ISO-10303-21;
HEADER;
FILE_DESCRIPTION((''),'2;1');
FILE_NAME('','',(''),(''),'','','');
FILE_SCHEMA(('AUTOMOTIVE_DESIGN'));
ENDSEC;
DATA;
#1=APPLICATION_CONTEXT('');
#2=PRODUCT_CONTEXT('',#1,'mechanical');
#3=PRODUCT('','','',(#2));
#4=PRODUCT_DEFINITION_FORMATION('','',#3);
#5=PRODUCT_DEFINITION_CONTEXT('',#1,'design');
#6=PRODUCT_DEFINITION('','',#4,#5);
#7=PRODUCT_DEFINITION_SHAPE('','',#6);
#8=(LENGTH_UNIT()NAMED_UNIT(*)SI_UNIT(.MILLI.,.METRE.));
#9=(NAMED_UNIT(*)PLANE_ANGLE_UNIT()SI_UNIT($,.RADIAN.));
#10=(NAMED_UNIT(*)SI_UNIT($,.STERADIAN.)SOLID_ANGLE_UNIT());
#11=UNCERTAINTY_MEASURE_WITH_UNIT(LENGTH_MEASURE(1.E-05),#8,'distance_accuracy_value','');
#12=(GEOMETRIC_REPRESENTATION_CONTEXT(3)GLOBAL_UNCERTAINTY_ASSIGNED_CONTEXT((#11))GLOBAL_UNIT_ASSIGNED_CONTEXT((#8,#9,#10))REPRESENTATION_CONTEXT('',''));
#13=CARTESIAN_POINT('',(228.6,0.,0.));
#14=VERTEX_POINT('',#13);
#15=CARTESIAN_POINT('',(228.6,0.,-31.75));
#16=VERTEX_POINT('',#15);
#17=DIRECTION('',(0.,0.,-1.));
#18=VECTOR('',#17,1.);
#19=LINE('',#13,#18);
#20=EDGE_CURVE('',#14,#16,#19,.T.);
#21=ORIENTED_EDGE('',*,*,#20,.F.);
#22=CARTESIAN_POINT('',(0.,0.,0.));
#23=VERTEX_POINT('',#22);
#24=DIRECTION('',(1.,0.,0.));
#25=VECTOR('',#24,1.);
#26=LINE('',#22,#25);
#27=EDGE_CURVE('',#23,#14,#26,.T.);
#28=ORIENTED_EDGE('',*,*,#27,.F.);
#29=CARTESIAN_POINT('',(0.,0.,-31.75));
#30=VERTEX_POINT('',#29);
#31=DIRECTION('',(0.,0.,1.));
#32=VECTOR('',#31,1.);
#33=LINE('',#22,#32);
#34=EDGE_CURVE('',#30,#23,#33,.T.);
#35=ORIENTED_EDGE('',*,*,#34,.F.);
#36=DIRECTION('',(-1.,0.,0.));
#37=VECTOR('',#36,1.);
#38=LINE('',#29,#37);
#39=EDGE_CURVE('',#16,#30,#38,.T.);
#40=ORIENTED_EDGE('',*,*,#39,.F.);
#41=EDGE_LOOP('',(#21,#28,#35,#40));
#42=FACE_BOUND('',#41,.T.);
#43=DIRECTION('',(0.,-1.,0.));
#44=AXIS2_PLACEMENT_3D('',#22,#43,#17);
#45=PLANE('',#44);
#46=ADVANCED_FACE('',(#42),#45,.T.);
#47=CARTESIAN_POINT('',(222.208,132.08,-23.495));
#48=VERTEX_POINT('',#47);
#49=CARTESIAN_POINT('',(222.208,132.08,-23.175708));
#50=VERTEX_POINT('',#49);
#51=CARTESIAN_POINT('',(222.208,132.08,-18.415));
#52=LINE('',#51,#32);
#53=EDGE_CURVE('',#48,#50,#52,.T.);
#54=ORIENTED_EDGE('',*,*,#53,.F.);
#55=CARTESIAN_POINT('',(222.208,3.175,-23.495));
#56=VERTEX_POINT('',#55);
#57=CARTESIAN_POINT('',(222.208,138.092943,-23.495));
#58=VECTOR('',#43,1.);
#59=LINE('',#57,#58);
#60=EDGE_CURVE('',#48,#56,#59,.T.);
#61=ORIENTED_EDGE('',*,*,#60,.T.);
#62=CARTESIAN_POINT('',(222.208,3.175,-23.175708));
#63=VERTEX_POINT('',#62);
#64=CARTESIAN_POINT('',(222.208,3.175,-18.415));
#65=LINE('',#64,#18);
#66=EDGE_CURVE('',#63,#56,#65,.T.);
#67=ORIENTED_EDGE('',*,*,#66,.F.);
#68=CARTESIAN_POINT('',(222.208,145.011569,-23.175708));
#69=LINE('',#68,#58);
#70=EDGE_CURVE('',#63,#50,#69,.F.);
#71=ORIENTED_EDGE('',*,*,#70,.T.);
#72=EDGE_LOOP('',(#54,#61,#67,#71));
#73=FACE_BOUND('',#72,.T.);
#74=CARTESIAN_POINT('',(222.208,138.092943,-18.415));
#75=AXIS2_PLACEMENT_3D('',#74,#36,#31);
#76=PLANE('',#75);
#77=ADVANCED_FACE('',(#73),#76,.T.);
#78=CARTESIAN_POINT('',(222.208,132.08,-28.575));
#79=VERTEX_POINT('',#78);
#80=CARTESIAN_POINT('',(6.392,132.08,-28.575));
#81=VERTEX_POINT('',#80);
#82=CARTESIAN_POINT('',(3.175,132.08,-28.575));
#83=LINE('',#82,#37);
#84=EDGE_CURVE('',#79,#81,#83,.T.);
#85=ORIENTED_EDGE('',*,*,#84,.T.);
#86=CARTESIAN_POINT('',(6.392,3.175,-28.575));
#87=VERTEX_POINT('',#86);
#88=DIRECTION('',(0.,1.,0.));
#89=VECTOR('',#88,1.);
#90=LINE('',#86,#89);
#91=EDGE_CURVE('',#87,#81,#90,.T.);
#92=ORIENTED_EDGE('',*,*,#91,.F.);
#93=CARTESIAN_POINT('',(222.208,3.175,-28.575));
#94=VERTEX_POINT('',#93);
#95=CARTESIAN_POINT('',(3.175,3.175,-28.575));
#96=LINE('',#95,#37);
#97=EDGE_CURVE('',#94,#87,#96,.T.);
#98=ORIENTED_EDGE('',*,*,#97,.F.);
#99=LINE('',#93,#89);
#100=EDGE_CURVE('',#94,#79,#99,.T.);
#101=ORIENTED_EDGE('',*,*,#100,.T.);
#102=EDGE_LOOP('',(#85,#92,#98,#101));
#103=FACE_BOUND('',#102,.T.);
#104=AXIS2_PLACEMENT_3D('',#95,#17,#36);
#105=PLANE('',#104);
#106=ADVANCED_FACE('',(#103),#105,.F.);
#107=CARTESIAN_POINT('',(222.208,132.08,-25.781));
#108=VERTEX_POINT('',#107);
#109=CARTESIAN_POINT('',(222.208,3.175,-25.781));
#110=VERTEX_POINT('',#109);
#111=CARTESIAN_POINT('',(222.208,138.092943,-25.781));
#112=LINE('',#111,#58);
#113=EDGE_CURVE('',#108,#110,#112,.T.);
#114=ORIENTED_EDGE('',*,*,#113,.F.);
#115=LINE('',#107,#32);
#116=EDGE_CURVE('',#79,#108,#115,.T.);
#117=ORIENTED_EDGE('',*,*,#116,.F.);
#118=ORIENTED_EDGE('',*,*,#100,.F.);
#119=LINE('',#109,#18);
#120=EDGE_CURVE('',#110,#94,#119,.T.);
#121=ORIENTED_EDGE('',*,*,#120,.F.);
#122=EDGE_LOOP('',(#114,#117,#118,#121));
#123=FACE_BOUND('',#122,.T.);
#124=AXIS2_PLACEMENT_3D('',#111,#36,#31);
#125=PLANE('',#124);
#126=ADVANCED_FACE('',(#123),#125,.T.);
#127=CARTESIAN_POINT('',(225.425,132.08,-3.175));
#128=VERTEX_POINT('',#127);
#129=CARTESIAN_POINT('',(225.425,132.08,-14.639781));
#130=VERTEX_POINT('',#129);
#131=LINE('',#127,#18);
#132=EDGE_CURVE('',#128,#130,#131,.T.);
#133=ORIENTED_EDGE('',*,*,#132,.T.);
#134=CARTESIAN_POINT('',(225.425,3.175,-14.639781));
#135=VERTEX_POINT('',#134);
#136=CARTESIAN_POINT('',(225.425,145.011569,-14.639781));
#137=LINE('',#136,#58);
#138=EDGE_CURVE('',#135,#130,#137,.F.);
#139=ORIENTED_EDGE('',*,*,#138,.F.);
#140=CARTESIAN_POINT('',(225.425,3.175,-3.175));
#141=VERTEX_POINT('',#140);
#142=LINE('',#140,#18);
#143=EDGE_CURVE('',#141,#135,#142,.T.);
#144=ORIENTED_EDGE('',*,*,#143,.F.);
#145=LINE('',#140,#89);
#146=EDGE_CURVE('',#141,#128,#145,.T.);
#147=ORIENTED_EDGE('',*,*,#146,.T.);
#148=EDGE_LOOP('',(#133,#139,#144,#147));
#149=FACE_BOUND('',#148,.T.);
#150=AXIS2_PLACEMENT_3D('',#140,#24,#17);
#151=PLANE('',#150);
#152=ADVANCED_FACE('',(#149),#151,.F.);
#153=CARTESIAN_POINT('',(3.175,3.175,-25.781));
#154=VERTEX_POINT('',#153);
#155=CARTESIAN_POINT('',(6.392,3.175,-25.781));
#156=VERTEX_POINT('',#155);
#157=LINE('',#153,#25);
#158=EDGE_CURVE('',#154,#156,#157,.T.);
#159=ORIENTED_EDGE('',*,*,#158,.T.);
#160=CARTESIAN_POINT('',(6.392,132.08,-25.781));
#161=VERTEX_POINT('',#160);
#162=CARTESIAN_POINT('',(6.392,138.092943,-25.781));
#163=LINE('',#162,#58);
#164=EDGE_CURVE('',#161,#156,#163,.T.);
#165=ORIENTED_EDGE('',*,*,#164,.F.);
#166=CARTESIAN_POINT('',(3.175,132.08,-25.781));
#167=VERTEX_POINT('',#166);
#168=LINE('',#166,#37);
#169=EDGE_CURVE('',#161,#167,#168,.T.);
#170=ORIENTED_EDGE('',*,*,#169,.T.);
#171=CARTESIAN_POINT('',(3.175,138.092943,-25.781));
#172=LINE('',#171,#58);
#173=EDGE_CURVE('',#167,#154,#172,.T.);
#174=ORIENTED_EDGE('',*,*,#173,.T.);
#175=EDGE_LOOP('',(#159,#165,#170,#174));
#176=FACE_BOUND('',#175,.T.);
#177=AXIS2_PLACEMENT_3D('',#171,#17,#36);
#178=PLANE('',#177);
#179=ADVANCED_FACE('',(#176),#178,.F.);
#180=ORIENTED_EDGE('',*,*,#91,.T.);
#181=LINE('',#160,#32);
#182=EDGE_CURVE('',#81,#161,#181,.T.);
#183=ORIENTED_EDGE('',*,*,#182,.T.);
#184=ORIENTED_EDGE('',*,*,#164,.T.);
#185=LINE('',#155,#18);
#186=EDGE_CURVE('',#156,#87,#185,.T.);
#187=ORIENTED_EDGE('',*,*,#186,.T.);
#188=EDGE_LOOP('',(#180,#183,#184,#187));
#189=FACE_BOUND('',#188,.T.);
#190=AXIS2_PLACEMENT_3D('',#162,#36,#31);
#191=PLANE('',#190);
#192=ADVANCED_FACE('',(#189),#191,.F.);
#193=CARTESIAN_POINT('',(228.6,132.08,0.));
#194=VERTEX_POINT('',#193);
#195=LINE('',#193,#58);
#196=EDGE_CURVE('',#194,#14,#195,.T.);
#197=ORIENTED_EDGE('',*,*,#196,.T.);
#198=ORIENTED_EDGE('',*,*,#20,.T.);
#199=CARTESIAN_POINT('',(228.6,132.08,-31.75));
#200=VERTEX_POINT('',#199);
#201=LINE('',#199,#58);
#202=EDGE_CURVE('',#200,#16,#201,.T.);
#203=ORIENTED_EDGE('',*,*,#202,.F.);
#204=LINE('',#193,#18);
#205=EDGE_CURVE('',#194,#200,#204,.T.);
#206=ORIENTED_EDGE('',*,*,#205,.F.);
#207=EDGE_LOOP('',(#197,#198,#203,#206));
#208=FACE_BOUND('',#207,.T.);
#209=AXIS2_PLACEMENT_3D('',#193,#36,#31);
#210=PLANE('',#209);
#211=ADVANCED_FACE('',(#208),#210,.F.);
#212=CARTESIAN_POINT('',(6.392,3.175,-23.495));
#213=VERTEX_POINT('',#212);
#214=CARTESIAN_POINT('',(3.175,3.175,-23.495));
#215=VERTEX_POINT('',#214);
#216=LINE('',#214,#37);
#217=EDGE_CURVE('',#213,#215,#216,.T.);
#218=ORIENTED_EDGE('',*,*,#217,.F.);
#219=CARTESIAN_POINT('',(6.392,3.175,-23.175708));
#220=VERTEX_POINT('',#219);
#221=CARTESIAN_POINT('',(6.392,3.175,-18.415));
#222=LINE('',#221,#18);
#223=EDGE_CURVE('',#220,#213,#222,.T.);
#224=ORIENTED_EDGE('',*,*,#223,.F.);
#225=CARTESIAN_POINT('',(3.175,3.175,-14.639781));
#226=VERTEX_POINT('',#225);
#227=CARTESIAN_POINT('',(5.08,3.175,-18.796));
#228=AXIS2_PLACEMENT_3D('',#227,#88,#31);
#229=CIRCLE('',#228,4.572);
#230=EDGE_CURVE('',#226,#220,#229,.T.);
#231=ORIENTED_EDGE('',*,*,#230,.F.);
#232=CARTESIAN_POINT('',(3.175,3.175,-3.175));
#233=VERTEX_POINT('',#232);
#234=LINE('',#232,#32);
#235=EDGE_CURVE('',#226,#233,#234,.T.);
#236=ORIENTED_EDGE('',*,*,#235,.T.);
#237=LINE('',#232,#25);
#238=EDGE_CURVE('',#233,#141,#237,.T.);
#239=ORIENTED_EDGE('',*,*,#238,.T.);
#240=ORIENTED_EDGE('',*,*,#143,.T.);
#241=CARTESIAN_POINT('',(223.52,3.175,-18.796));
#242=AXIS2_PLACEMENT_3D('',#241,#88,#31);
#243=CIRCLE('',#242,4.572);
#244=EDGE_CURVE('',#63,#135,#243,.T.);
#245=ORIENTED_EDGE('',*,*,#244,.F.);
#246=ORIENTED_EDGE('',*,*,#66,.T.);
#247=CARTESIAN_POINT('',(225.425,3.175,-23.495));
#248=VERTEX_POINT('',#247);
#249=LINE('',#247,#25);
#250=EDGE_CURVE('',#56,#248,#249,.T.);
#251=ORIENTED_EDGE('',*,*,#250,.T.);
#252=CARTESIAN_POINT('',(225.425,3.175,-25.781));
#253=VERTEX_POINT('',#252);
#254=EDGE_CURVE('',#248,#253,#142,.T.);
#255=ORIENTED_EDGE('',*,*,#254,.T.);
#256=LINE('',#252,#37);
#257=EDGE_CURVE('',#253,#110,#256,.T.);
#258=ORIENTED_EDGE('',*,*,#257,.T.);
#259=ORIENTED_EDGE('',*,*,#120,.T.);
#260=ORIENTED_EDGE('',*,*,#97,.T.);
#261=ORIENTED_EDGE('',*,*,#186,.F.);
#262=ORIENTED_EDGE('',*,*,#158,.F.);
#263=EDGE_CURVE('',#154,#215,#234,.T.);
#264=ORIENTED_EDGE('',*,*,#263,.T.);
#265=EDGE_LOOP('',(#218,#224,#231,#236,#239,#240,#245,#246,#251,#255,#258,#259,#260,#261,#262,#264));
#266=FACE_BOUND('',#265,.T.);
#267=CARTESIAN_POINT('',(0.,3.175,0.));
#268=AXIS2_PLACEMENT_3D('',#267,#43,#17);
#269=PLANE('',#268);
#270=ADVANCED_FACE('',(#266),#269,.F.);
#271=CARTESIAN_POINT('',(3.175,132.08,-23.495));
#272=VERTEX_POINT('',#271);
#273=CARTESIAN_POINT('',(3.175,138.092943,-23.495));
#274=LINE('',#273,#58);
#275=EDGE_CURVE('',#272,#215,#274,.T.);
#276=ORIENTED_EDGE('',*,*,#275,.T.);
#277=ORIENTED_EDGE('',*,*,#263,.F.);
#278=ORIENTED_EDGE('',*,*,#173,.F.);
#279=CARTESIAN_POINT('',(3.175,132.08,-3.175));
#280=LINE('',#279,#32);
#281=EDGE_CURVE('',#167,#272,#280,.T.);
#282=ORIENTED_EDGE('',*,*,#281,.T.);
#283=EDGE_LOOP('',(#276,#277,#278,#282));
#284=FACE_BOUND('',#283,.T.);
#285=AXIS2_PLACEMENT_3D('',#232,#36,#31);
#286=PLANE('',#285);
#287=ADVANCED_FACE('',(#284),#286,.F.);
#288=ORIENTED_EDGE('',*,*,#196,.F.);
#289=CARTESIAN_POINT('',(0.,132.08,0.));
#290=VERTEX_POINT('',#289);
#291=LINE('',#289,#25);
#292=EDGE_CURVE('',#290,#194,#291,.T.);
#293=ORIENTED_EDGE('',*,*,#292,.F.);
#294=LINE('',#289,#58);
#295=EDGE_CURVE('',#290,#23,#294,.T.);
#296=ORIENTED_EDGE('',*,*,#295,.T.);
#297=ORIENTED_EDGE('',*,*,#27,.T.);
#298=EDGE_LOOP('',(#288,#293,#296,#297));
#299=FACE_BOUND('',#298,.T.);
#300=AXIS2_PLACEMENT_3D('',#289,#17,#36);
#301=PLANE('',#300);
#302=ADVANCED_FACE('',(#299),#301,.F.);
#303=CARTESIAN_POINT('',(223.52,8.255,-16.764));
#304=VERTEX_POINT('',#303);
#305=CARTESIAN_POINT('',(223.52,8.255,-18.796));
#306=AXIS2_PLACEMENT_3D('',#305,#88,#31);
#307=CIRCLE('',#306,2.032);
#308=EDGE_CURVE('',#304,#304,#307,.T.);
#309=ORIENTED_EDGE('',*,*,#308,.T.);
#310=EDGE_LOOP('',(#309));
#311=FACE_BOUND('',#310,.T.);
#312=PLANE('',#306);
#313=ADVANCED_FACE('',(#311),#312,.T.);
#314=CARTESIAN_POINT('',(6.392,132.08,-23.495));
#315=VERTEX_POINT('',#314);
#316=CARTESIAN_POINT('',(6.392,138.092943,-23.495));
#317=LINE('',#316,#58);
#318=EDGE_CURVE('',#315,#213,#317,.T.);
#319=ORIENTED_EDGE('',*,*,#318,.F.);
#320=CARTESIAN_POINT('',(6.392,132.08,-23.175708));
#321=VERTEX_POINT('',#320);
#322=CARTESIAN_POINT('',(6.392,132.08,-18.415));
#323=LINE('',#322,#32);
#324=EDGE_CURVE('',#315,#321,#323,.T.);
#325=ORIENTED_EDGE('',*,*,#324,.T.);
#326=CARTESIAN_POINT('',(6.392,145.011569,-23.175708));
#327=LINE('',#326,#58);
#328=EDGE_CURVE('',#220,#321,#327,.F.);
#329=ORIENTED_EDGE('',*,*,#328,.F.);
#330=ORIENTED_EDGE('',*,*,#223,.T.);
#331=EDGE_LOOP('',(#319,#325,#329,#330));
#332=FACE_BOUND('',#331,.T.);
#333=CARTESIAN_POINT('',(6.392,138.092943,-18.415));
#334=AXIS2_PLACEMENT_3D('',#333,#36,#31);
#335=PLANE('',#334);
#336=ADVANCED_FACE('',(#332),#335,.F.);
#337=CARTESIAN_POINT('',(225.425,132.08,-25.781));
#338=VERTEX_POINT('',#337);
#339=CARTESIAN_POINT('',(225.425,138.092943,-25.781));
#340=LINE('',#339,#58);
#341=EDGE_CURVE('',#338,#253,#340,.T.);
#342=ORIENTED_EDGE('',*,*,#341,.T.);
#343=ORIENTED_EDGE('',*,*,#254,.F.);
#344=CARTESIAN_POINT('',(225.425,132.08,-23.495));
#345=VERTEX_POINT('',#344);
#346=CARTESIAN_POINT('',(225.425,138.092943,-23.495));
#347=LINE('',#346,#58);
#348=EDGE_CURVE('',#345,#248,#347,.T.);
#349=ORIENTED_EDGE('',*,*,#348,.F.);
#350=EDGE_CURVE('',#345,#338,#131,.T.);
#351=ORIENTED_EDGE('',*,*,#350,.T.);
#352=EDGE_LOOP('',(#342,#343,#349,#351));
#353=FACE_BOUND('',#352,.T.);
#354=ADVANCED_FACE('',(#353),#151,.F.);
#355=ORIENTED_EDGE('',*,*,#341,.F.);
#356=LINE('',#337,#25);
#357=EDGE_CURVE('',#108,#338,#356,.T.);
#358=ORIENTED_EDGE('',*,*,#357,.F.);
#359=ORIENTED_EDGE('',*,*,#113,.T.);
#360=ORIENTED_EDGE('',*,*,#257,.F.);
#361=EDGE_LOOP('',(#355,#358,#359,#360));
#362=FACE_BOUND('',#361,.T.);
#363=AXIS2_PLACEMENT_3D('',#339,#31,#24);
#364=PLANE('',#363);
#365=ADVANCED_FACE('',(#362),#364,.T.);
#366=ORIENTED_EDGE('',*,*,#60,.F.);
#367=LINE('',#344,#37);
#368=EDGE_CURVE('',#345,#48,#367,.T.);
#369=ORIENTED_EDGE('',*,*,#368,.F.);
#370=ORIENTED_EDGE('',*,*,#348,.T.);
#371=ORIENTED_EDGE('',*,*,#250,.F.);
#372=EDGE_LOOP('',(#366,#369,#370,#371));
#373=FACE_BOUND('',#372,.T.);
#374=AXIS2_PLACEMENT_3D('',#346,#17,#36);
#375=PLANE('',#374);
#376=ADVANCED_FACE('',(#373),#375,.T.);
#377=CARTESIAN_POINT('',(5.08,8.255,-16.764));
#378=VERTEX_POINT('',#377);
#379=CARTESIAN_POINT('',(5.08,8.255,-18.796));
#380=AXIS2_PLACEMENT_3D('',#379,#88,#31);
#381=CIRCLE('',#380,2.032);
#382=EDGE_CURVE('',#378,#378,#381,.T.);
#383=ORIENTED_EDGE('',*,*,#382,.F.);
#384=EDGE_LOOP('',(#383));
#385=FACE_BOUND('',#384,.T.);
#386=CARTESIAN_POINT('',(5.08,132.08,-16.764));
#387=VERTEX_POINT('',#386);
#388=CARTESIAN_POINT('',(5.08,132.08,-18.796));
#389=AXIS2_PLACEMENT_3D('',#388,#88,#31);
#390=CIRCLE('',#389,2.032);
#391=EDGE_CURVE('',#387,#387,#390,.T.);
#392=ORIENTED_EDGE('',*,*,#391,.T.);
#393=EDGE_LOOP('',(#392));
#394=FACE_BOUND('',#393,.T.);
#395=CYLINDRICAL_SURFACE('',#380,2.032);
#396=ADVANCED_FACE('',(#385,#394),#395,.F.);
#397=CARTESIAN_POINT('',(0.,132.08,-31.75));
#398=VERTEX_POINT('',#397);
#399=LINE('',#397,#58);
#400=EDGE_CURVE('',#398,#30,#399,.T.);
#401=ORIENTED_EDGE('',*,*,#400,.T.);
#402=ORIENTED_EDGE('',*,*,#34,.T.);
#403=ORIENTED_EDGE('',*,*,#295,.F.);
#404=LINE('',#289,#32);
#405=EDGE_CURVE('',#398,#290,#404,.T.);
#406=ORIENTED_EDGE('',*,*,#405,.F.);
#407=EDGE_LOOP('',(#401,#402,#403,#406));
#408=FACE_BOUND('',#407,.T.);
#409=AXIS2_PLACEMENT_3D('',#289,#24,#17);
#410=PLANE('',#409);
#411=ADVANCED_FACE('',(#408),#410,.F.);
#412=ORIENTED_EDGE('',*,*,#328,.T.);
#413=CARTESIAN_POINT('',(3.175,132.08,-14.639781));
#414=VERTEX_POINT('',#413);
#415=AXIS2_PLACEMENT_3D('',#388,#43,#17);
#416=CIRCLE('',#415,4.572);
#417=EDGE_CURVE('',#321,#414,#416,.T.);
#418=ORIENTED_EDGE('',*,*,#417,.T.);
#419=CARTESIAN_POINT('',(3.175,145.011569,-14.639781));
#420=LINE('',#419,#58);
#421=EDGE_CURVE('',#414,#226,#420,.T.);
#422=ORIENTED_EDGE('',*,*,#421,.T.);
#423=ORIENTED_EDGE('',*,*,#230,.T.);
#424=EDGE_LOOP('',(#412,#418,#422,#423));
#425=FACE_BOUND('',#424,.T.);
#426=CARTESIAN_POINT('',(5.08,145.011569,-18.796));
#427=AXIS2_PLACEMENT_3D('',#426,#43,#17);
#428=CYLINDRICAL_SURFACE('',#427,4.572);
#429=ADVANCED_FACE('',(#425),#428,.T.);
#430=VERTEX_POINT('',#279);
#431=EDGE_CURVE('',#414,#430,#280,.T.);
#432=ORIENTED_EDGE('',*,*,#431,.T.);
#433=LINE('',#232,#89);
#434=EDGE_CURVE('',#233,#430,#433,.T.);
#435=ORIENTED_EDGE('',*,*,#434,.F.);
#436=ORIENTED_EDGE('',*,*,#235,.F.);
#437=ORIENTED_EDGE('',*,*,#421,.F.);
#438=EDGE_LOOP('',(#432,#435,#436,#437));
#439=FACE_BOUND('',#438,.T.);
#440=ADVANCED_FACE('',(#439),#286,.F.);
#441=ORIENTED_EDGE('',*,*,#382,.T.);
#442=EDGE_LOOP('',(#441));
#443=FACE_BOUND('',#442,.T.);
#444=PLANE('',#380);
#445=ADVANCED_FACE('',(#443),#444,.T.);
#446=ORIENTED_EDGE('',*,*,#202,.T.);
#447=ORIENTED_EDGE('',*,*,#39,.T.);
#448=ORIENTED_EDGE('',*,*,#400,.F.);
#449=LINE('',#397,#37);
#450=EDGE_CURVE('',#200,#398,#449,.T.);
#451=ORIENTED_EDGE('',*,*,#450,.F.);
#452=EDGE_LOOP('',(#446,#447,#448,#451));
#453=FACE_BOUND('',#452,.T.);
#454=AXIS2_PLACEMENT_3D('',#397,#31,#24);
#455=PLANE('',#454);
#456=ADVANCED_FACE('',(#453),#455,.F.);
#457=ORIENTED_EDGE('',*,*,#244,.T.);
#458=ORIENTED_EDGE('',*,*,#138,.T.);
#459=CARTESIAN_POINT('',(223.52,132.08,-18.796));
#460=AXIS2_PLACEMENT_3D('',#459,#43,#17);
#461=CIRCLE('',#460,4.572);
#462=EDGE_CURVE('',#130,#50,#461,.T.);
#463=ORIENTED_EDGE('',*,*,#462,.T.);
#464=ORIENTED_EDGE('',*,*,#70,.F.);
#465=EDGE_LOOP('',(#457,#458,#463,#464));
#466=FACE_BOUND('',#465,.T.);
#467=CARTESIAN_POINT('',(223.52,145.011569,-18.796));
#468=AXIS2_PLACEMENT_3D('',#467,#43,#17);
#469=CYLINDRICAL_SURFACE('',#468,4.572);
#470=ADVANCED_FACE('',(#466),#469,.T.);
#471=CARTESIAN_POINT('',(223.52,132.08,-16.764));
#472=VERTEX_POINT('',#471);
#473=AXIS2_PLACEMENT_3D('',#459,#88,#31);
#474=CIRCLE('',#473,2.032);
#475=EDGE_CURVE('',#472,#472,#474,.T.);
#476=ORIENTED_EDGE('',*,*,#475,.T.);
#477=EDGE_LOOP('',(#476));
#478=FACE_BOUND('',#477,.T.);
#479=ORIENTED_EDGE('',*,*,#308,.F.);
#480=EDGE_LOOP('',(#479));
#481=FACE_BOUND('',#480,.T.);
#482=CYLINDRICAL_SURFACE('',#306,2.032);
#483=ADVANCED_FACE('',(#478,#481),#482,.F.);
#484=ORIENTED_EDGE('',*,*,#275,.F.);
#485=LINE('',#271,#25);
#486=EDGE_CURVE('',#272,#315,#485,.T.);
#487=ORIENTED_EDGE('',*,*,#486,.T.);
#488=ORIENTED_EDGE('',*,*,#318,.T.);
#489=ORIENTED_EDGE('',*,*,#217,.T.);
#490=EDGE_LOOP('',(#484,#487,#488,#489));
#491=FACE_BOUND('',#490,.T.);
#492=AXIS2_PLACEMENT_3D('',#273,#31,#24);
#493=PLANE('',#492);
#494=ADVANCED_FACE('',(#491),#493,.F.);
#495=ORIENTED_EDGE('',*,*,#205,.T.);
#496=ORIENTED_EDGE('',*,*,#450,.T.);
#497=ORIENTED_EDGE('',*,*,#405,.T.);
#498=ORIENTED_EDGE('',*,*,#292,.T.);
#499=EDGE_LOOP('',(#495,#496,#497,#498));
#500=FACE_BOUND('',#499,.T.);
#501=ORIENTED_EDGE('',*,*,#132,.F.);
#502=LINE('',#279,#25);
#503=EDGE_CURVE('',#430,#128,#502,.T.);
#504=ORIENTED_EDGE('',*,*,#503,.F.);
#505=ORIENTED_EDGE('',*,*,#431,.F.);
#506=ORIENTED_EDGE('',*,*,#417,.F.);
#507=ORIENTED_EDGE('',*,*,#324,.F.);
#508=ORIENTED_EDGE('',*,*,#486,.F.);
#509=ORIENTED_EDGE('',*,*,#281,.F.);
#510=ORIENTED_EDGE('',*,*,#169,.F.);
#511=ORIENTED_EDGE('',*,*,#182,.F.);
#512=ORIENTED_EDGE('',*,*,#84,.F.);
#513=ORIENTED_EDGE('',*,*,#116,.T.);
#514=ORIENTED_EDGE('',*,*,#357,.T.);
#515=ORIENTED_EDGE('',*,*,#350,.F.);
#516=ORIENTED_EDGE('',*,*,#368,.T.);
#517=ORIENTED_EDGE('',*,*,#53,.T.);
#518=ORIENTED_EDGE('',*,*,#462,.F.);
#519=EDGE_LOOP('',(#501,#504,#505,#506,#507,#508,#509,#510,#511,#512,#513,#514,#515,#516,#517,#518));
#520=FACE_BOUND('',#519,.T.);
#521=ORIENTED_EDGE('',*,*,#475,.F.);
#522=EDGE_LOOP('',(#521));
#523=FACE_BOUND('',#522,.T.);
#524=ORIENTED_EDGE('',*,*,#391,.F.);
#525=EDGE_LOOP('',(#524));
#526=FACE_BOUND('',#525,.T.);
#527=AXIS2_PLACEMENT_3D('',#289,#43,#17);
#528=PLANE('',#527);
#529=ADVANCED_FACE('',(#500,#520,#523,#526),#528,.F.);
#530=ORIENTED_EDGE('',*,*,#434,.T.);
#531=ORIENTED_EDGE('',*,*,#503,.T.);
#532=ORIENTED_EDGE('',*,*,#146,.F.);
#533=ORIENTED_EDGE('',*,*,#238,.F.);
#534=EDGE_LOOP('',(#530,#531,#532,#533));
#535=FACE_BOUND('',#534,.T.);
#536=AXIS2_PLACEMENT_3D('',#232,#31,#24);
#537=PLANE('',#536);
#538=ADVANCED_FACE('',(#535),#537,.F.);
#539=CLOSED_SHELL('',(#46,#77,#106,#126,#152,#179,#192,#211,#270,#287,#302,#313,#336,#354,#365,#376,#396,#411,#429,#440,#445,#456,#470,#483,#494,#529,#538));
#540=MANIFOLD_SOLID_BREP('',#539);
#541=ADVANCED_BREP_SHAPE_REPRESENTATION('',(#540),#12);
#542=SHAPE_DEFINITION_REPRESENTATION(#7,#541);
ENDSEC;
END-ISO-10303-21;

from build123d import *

# Parameters (mm, degrees)
SKETCH1_W           = 228.6
SKETCH1_H           = 31.75
BOSS_EXTRUDE1_DEPTH = 132.08
SKETCH2_W           = 222.25
SKETCH2_H           = 25.4
CUT_EXTRUDE1_DEPTH  = 128.905
SKETCH3_W           = 3.216999687
SKETCH3_H           = 4.15103562
SKETCH3_H_2         = 5.08
BOSS_EXTRUDE2_DEPTH = 128.905
SKETCH4_R           = 4.572
BOSS_EXTRUDE3_DEPTH = 128.905
SKETCH5_R           = 2.032
CUT_EXTRUDE2_DEPTH  = 123.825


with BuildPart() as part:
    # Sketch1 → Boss-Extrude1 (new body)
    with BuildSketch(Plane(origin=(0, 0, 0), x_dir=(1, 0, 0), z_dir=(0, 1, 0))):
        with Locations((114.3, 15.875)):
            Rectangle(SKETCH1_W, SKETCH1_H)
    extrude(amount=BOSS_EXTRUDE1_DEPTH)

    # Sketch2 → Cut-Extrude1 (cut)
    with BuildSketch(Plane(origin=(0, 132.08, 0), x_dir=(1, 0, 0), z_dir=(0, 1, 0))):
        with Locations((114.3, 15.875)):
            Rectangle(SKETCH2_W, SKETCH2_H)
    extrude(amount=-CUT_EXTRUDE1_DEPTH, mode=Mode.SUBTRACT)

    # Sketch3 → Boss-Extrude2 (add)
    with BuildSketch(Plane(origin=(0, 3.175, 0), x_dir=(1, 0, 0), z_dir=(0, 1, 0))):
        with Locations((4.783499844, 27.85651781)):
            Rectangle(SKETCH3_W, SKETCH3_H)
        with Locations((4.783499844, 20.955)):
            Rectangle(SKETCH3_W, SKETCH3_H_2)
    boss_extrude2 = extrude(amount=BOSS_EXTRUDE2_DEPTH)

    # Mirror1: Boss-Extrude2 across plane
    add(boss_extrude2.mirror(Plane.ZY.offset(-114.3)))

    # Sketch4 → Boss-Extrude3 (add)
    with BuildSketch(Plane(origin=(0, 3.175, 0), x_dir=(1, 0, 0), z_dir=(0, 1, 0))):
        with Locations((5.08, 18.796)):
            Circle(SKETCH4_R)
        with Locations((223.52, 18.796)):
            Circle(SKETCH4_R)
    extrude(amount=BOSS_EXTRUDE3_DEPTH)

    # Sketch5 → Cut-Extrude2 (cut)
    with BuildSketch(Plane(origin=(0, 132.08, 0), x_dir=(1, 0, 0), z_dir=(0, 1, 0))):
        with Locations((5.08, 18.796)):
            Circle(SKETCH5_R)
        with Locations((223.52, 18.796)):
            Circle(SKETCH5_R)
    extrude(amount=-CUT_EXTRUDE2_DEPTH, mode=Mode.SUBTRACT)


solid = part.part
